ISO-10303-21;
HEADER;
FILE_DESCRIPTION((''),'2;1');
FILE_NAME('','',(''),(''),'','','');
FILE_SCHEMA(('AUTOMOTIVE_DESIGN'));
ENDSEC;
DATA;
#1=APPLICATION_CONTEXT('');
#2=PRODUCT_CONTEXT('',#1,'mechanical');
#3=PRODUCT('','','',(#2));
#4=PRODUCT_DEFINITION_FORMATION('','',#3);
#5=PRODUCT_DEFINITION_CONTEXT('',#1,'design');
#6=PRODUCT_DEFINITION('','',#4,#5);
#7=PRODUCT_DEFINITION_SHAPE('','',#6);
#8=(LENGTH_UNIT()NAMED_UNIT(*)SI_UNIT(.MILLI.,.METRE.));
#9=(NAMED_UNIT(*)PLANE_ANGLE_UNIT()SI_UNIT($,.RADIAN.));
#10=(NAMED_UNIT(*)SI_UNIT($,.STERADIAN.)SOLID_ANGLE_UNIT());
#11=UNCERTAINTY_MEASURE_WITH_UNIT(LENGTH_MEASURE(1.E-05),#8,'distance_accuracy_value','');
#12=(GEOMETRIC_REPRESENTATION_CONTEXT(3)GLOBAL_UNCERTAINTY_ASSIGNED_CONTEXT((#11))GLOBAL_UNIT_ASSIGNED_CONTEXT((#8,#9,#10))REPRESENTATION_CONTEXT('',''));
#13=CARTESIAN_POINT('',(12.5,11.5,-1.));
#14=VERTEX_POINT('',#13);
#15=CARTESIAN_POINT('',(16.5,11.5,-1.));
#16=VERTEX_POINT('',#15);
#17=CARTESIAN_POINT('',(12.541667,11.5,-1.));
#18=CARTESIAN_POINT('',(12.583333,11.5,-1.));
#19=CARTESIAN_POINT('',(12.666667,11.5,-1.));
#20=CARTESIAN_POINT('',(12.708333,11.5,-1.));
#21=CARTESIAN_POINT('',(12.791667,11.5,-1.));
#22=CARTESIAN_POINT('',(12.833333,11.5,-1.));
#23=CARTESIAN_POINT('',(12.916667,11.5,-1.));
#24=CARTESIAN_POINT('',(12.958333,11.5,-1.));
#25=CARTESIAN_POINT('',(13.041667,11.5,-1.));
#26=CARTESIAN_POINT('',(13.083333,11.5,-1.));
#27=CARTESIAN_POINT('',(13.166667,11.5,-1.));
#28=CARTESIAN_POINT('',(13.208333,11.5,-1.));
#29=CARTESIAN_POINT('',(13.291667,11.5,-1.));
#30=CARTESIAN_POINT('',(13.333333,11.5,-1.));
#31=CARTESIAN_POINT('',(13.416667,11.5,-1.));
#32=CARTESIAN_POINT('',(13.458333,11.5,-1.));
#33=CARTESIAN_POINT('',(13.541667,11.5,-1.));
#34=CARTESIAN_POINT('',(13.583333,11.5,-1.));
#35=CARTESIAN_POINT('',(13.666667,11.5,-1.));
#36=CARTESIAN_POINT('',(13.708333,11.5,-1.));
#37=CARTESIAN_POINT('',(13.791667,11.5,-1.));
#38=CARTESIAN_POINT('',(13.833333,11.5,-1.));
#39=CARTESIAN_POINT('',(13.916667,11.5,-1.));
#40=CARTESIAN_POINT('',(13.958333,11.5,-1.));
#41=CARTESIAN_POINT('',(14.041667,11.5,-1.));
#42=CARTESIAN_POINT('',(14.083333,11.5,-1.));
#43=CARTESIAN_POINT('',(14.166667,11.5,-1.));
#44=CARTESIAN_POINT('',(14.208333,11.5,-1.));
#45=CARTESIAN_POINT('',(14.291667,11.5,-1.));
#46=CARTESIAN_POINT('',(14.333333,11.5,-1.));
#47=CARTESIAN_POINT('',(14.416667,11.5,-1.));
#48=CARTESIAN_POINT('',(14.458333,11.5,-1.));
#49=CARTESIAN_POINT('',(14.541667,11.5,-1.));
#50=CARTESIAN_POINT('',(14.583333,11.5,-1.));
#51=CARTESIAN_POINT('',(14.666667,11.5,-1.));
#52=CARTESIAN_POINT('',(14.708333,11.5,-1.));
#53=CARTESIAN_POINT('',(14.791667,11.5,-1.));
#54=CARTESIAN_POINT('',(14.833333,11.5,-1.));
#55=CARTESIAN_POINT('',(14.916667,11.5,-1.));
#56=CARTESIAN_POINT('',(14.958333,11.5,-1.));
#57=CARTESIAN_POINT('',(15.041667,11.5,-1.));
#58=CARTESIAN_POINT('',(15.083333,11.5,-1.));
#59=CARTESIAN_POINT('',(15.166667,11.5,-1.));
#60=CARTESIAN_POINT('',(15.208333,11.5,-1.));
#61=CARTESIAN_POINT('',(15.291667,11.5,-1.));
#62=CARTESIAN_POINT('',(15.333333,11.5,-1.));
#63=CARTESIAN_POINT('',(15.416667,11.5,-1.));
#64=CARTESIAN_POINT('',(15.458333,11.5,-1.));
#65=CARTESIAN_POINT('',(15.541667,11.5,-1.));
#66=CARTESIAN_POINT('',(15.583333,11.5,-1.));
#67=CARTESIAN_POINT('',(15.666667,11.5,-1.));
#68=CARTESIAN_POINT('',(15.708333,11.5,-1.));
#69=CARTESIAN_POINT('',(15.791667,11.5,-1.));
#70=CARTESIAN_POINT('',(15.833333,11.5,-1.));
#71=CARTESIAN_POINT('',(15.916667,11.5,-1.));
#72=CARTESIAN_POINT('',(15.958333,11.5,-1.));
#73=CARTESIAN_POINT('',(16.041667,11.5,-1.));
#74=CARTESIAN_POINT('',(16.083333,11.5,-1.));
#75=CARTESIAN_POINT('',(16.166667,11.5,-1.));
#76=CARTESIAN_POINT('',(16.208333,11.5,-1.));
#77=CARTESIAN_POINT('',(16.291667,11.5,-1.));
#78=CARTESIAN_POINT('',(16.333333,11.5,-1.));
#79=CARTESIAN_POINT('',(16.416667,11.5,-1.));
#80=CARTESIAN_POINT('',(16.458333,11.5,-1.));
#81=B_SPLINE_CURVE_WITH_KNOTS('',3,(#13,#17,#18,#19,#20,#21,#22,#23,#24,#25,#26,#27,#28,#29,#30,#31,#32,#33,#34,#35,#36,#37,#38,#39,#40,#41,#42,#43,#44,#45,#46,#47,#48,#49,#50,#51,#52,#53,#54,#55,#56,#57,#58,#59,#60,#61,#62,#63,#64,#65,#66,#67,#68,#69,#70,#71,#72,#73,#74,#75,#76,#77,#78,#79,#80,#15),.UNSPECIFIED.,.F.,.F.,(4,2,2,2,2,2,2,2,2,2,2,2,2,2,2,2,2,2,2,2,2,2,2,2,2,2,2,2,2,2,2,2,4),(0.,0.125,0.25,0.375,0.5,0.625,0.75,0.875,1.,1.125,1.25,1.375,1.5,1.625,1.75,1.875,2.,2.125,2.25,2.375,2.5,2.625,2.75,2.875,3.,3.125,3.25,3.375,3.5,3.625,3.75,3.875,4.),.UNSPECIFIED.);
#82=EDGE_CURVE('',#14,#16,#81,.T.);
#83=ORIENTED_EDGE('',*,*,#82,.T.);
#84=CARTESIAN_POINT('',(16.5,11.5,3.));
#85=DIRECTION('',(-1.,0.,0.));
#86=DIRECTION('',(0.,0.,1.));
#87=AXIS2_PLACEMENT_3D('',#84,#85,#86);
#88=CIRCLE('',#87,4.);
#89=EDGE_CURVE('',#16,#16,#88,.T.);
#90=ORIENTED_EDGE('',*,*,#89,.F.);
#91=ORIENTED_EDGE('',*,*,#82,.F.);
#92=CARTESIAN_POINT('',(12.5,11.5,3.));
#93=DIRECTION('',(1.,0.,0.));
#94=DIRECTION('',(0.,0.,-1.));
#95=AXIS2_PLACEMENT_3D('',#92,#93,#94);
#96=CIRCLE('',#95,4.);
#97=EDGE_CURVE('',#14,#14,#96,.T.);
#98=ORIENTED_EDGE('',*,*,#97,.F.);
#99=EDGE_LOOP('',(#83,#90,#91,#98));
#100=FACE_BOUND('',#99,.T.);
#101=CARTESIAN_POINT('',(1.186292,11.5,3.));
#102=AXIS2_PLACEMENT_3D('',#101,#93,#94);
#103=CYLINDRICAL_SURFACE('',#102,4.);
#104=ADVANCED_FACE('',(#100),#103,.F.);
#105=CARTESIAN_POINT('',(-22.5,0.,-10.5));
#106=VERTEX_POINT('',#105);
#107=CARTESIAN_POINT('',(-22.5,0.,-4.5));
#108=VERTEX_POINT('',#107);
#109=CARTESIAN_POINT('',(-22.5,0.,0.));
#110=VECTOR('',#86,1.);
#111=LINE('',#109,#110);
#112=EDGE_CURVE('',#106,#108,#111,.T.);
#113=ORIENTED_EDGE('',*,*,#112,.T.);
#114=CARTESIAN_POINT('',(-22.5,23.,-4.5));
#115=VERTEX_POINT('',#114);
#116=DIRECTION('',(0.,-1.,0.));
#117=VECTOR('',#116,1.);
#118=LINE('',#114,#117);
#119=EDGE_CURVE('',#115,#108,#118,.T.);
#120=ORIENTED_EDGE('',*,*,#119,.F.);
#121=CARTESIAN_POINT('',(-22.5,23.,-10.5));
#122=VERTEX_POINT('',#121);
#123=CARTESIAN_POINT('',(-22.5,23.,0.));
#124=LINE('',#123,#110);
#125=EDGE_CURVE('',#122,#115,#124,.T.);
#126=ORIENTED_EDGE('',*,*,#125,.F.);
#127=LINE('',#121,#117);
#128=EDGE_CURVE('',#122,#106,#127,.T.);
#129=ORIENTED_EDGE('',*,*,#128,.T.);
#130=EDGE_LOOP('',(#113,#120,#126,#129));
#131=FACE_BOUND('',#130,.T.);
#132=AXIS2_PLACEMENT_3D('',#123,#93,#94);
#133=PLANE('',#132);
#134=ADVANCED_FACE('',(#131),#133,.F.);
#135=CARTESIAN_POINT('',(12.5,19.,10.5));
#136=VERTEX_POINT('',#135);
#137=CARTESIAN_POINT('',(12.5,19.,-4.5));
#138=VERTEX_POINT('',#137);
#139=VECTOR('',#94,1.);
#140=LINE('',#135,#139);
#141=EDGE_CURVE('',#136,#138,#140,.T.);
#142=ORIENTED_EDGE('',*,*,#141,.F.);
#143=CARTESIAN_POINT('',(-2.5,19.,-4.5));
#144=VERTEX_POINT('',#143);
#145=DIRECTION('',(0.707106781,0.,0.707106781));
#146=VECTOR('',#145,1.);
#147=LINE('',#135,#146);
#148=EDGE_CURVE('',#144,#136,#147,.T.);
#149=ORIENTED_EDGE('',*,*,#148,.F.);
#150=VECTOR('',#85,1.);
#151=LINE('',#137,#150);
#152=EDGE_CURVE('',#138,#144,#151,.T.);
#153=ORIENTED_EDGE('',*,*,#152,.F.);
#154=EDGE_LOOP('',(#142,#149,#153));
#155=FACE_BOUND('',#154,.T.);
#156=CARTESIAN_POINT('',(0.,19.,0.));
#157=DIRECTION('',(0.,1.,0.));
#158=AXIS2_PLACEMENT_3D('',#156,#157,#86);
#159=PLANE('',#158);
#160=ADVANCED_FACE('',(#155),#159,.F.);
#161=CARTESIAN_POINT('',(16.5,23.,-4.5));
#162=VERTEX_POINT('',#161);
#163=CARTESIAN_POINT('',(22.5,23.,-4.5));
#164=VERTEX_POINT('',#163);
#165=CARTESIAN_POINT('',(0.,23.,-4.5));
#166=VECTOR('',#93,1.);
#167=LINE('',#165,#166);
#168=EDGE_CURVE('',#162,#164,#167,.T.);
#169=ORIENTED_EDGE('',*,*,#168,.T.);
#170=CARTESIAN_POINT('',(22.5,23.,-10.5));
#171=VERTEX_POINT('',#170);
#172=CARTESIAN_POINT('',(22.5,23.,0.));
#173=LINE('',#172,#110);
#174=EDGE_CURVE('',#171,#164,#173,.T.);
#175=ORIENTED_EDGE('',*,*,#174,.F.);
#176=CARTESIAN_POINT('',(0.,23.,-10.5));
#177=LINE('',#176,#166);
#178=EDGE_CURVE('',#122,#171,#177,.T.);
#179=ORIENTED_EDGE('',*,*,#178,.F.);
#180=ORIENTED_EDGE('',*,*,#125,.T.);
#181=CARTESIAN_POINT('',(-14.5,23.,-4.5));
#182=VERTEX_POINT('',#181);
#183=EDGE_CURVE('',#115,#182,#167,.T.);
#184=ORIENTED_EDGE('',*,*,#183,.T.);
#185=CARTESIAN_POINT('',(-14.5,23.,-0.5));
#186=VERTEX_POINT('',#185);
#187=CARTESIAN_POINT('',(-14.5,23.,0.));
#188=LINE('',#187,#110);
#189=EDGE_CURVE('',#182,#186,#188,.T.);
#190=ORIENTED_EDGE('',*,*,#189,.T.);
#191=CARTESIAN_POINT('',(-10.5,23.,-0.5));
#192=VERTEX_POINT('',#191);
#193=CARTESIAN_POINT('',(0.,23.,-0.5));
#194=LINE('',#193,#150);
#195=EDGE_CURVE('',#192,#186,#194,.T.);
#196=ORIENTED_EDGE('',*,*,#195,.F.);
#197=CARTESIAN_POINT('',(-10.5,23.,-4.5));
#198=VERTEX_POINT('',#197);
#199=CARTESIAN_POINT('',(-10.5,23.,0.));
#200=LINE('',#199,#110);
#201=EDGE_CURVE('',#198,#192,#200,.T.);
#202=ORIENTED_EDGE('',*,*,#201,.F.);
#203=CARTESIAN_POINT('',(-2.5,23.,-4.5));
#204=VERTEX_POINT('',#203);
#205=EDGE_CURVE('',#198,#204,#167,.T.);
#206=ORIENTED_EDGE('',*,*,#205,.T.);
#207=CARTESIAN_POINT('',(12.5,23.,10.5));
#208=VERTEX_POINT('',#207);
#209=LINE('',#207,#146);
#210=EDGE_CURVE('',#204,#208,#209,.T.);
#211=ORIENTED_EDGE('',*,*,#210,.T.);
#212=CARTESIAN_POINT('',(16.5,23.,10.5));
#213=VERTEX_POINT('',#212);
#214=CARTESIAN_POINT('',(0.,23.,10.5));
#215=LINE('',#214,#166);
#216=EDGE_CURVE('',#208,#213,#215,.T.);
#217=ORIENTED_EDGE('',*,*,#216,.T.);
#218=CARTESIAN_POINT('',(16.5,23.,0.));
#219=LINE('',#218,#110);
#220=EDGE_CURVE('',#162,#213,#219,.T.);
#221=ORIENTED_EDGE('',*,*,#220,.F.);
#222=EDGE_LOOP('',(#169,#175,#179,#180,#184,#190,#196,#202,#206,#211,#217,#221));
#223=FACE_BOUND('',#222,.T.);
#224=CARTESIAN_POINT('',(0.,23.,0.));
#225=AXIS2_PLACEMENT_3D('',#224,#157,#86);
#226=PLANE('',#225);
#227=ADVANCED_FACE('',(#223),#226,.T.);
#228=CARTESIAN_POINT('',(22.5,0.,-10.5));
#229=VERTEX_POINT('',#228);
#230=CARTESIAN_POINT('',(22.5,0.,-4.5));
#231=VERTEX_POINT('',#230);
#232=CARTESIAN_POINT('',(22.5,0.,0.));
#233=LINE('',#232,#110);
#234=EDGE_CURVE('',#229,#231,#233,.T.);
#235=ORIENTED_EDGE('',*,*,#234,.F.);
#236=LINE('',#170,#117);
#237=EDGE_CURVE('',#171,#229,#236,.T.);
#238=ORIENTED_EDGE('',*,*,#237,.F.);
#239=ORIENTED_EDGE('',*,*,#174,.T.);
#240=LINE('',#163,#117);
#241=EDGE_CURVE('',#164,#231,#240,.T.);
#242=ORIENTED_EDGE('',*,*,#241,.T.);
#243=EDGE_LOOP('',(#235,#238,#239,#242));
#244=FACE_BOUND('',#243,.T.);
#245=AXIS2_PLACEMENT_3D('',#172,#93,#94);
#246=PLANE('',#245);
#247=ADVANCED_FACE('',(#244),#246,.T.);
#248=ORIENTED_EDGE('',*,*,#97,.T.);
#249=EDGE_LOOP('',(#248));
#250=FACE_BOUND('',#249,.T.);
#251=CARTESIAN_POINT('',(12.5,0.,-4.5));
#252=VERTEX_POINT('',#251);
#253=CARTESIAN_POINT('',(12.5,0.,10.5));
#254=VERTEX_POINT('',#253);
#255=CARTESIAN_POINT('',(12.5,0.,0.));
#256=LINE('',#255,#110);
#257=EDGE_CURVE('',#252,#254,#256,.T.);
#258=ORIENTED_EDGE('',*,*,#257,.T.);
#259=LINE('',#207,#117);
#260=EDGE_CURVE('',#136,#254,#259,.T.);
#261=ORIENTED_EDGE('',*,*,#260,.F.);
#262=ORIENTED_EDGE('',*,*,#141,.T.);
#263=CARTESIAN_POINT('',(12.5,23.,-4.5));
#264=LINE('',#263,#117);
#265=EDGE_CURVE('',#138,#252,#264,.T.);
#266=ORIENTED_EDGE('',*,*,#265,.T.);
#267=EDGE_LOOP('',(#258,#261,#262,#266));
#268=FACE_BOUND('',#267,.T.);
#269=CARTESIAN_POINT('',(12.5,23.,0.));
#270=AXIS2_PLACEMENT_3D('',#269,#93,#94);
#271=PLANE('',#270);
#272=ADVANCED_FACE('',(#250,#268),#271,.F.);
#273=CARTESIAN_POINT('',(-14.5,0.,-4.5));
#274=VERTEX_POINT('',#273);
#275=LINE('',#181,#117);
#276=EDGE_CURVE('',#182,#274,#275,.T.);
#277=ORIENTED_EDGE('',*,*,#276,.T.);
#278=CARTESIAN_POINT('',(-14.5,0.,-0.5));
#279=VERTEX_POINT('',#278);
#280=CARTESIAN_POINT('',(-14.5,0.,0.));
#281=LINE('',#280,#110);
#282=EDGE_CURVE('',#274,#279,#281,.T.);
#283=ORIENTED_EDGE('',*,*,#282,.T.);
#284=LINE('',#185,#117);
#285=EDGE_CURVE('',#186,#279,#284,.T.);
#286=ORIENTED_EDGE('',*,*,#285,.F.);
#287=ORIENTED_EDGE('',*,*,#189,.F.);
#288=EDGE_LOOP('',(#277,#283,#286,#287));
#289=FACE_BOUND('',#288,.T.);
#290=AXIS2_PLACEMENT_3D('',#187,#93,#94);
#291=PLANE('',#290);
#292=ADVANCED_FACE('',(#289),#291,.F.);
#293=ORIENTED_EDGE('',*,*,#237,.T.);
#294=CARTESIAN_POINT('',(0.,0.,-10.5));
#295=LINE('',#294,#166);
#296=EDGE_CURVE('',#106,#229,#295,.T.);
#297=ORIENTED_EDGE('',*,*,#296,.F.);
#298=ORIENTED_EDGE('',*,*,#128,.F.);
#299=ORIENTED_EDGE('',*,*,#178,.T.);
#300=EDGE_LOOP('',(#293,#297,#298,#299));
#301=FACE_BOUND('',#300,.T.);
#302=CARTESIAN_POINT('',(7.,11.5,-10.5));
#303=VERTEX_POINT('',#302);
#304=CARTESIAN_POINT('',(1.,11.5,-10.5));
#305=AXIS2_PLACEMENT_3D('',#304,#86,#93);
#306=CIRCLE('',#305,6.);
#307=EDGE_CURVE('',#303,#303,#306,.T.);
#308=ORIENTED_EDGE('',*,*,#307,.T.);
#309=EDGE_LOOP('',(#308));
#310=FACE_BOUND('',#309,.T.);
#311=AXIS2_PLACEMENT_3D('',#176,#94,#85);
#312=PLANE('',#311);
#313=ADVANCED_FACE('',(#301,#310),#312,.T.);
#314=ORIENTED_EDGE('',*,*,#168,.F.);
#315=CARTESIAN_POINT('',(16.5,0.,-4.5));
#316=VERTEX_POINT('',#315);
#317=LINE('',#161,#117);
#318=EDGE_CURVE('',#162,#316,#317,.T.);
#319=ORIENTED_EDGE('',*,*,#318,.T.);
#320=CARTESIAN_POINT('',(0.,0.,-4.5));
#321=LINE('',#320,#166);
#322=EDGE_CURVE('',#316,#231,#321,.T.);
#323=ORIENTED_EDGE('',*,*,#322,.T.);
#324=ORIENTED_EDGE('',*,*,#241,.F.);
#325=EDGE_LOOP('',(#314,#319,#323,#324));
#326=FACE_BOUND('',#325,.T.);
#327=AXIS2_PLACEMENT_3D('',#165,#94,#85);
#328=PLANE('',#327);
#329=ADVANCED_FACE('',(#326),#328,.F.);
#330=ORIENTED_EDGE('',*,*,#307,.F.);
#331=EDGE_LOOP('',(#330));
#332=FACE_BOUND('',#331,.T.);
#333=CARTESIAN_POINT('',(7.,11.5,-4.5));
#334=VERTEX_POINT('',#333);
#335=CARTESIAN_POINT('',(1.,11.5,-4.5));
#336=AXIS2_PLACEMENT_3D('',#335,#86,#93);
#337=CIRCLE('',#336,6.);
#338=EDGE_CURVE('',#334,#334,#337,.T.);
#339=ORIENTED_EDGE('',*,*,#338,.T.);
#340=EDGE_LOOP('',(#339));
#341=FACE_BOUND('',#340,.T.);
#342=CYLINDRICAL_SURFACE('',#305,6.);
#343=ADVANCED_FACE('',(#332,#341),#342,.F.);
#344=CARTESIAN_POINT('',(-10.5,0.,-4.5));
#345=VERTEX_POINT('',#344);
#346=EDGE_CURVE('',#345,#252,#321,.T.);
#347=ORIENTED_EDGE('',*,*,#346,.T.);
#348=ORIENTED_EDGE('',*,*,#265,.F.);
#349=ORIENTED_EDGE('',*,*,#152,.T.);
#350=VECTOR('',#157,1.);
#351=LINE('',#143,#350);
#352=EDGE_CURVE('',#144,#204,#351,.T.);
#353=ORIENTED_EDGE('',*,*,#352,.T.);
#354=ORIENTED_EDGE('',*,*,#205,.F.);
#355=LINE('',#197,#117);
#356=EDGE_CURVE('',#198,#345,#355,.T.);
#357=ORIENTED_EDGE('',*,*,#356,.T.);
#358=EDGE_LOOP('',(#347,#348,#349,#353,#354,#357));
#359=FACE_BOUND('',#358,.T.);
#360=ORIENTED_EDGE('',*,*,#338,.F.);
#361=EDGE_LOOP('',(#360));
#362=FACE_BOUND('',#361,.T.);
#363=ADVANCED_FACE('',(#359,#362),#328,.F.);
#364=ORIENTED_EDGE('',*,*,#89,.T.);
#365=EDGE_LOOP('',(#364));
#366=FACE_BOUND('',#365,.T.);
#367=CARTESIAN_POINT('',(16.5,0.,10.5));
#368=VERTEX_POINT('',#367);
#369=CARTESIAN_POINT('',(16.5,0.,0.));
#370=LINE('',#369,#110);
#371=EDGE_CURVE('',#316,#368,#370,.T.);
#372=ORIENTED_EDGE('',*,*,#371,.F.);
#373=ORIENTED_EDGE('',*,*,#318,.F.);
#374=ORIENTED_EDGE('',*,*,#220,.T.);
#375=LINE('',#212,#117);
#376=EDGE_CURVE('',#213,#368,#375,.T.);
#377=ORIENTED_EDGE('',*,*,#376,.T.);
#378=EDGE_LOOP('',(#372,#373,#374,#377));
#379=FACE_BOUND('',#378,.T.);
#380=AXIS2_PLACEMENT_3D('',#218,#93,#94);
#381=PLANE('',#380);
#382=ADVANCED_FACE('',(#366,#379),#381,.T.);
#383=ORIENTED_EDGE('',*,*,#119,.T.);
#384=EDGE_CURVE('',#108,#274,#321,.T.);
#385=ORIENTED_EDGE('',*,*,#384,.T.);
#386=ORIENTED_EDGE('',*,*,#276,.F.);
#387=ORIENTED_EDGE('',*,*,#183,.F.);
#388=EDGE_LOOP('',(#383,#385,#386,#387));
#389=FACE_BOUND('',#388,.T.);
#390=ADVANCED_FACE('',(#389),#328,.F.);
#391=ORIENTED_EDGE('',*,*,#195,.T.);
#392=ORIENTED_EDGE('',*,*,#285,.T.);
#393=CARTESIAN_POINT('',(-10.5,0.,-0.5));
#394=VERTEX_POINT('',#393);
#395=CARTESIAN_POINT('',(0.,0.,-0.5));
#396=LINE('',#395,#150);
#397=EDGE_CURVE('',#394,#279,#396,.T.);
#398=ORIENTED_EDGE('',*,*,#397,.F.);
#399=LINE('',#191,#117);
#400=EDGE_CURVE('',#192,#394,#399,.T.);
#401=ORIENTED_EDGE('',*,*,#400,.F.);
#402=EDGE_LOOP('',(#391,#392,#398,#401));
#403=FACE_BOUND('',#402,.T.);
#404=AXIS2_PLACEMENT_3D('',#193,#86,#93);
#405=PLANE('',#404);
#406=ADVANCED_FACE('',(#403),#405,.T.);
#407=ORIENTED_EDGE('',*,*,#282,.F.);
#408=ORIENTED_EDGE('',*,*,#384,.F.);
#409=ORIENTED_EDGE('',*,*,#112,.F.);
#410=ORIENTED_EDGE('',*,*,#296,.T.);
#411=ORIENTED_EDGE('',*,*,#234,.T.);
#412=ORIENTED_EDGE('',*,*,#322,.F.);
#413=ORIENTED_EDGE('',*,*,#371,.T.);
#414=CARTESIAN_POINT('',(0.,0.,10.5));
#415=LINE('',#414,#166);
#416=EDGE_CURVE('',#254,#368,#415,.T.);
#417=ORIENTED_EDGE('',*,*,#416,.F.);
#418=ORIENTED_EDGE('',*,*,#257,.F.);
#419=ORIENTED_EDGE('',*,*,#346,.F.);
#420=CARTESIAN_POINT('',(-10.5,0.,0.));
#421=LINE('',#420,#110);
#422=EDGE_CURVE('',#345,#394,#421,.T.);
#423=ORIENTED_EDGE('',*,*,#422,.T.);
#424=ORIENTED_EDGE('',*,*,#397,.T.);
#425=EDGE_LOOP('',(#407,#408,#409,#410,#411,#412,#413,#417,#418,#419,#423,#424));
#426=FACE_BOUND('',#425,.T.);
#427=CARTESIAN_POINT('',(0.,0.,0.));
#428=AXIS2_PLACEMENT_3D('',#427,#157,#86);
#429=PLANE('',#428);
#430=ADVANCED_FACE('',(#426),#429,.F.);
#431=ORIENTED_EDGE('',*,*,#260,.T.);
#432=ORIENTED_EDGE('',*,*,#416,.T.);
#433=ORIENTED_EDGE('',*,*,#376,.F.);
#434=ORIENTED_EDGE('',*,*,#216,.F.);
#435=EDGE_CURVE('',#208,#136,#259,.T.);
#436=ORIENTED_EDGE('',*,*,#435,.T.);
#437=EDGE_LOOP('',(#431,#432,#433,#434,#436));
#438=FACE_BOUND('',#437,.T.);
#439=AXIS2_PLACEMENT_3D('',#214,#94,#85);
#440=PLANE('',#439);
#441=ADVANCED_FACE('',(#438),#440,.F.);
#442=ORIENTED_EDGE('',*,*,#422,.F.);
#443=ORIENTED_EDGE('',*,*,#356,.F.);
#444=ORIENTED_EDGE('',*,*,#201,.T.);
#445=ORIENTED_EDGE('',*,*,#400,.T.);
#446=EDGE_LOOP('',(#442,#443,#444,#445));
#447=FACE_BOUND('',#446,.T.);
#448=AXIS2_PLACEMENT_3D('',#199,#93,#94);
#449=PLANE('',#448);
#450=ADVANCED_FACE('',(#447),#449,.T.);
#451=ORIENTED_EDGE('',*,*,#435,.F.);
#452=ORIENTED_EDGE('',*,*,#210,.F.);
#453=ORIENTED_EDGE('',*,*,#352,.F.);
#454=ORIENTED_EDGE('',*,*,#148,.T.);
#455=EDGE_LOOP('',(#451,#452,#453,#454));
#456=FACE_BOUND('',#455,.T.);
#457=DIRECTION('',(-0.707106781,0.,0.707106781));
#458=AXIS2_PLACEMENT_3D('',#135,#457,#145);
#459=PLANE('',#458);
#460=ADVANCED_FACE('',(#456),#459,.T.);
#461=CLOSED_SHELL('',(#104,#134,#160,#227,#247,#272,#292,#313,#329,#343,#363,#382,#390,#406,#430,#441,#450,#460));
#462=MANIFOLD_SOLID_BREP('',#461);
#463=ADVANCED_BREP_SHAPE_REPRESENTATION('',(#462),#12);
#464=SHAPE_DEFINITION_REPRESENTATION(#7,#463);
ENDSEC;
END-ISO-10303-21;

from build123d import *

# Parameters (mm, degrees)
SKETCH_1_W          = 4
SKETCH_1_H          = 4
SKETCH_1_H_2        = 15
EXTRUDE_1_DEPTH     = 23
EXTRUDE_2_DEPTH     = 4
SKETCH_3_R          = 6
CUT_EXTRUDE_1_DEPTH = 36.5
SKETCH_4_R          = 4
CUT_EXTRUDE_2_DEPTH = 4


with BuildPart() as part:
    # Эскиз1 → Бобышка-Вытянуть1 (new body)
    with BuildSketch(Plane(origin=(0, 0, 0), x_dir=(1, 0, 0), z_dir=(0, 1, 0))):
        Polygon((22.5, 10.5), (-22.5, 10.5), (-22.5, 4.5), (-14.5, 4.5), (-10.5, 4.5), (12.5, 4.5), (16.5, 4.5), (22.5, 4.5), align=None)
        with Locations((-12.5, 2.5)):
            Rectangle(SKETCH_1_W, SKETCH_1_H)
        with Locations((14.5, -3)):
            Rectangle(SKETCH_1_W, SKETCH_1_H_2)
    extrude(amount=EXTRUDE_1_DEPTH)

    # Эскиз2 → Бобышка-Вытянуть2 (add)
    with BuildSketch(Plane(origin=(0, 23, 0), x_dir=(1, 0, 0), z_dir=(0, 1, 0))):
        Polygon((12.5, -10.5), (-2.5, 4.5), (12.5, 4.5), align=None)
    extrude(amount=-EXTRUDE_2_DEPTH)

    # Эскиз3 → Вырез-Вытянуть1 (cut, through all)
    with BuildSketch(Plane.XY.offset(-4.5)):
        with Locations((1, 11.5)):
            Circle(SKETCH_3_R)
    extrude(amount=-CUT_EXTRUDE_1_DEPTH, mode=Mode.SUBTRACT)

    # Эскиз4 → Вырез-Вытянуть2 (cut)
    with BuildSketch(Plane.ZY.offset(-16.5)):
        with Locations(Location((3, 11.5, 0), (0, 0, 180))):
            Circle(SKETCH_4_R)
    extrude(amount=CUT_EXTRUDE_2_DEPTH, mode=Mode.SUBTRACT)


solid = part.part
